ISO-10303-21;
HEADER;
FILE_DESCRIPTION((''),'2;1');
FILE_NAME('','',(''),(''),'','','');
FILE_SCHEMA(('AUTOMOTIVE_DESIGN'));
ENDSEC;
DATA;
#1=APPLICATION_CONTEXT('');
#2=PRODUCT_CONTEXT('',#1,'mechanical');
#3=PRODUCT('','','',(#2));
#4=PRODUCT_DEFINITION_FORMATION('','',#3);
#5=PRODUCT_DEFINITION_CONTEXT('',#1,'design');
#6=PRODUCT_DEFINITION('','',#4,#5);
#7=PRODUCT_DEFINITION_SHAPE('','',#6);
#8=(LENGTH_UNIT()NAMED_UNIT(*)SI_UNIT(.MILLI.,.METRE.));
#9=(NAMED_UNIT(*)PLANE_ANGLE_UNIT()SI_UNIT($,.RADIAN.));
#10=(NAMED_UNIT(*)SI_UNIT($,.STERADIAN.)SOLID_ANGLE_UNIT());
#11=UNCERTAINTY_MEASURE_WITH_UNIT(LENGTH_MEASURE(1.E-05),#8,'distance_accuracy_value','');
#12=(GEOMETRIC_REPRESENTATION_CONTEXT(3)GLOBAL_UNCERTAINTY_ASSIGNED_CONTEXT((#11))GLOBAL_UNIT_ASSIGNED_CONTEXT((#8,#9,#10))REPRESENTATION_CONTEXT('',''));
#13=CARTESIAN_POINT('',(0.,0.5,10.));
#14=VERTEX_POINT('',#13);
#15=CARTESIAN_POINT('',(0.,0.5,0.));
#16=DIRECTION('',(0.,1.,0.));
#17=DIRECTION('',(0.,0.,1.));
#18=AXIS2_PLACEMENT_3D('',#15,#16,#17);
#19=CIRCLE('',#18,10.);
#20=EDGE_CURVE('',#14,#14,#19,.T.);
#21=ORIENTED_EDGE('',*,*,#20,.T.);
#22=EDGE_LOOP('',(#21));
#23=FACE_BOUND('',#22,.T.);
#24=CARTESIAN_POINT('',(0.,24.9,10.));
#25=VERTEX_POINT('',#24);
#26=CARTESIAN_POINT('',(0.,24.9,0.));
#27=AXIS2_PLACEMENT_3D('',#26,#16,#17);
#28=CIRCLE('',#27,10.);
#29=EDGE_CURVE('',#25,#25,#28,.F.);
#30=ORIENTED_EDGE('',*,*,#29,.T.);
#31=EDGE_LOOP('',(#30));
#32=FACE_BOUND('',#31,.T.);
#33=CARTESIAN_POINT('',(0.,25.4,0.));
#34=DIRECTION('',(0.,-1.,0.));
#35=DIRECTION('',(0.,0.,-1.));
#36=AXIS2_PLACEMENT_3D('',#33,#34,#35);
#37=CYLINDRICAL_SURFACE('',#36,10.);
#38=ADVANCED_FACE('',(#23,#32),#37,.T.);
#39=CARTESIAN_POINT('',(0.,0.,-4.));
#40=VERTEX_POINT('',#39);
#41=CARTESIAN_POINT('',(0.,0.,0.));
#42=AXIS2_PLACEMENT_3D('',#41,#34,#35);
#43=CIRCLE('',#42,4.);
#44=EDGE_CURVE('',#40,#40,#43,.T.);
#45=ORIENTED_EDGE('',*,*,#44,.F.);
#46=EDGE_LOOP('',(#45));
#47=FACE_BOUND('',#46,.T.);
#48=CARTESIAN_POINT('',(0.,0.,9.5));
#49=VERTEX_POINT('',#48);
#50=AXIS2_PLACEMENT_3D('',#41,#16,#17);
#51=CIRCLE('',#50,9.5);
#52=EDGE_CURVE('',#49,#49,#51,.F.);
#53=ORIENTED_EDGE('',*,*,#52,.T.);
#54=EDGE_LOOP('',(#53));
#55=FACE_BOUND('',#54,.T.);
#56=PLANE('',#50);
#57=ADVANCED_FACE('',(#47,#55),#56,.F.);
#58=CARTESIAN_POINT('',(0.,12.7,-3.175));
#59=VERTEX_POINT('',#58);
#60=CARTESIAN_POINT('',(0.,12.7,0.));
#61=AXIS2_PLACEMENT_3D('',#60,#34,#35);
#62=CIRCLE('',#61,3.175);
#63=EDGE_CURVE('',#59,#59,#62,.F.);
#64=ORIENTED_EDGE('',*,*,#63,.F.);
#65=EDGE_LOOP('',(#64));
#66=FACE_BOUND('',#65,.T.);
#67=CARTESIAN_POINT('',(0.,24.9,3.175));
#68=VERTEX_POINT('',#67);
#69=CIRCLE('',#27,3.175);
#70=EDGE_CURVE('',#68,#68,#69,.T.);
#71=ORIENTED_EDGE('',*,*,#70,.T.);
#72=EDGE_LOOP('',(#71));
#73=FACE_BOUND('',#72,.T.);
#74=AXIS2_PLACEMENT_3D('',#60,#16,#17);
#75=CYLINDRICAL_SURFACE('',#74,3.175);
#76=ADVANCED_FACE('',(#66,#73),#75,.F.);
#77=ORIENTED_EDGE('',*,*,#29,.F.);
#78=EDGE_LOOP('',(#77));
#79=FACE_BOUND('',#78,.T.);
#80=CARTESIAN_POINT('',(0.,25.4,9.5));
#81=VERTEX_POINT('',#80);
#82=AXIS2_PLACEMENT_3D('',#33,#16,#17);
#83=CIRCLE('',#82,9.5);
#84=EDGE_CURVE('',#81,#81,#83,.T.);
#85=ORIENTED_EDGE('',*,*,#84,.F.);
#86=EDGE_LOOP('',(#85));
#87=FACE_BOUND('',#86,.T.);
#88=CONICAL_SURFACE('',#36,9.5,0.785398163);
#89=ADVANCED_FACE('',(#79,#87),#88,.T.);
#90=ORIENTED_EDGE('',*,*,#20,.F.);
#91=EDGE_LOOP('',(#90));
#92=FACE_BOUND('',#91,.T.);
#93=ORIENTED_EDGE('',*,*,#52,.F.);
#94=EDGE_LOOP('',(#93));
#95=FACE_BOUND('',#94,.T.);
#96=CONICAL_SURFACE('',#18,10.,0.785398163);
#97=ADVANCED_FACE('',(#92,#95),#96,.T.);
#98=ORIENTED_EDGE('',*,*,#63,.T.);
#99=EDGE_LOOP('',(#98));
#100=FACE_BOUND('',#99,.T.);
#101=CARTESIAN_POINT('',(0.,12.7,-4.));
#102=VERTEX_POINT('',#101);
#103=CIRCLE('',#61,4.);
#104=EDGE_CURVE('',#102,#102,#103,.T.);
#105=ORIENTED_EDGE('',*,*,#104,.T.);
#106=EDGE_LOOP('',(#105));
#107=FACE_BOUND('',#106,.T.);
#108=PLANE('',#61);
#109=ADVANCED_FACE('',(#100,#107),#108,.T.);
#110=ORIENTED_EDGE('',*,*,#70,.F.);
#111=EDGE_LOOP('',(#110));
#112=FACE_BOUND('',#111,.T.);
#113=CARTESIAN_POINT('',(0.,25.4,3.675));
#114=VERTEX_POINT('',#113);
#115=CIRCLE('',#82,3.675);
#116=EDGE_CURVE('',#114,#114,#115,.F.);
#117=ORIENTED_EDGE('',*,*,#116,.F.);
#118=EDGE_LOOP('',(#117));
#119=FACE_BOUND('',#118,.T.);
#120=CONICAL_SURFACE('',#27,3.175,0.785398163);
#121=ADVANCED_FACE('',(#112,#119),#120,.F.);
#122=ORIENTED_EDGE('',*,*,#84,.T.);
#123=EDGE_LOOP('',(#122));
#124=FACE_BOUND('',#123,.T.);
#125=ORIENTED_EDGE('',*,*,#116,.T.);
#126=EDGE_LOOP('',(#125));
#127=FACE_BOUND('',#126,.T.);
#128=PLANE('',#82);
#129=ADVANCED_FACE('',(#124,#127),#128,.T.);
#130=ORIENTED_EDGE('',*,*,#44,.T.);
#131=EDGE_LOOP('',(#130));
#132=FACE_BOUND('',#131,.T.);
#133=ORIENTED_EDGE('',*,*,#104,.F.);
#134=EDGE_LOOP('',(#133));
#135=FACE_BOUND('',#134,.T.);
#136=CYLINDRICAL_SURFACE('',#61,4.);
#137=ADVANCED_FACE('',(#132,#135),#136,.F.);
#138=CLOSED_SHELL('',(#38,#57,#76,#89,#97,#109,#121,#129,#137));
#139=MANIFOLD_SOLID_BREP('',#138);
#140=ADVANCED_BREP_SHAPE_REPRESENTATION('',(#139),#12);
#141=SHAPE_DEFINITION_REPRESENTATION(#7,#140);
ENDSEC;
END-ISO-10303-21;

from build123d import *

# Parameters (mm, degrees)
SKETCH2_R           = 10
BOSS_EXTRUDE1_DEPTH = 25.4
SKETCH3_R           = 3.175
CUT_EXTRUDE1_DEPTH  = 12.7
CHAMFER1_SIZE       = 0.5
SKETCH4_R           = 4
CUT_EXTRUDE2_DEPTH  = 12.7


with BuildPart() as part:
    # Sketch2 → Boss-Extrude1 (new body)
    with BuildSketch(Plane(origin=(0, 0, 0), x_dir=(1, 0, 0), z_dir=(0, 1, 0))):
        with Locations(Location((0, 0, 0), (0, 0, 270))):
            Circle(SKETCH2_R)
    extrude(amount=BOSS_EXTRUDE1_DEPTH)

    # Sketch3 → Cut-Extrude1 (cut)
    with BuildSketch(Plane(origin=(0, 25.4, 0), x_dir=(1, 0, 0), z_dir=(0, 1, 0))):
        with Locations(Location((0, 0, 0), (0, 0, 270))):
            Circle(SKETCH3_R)
    extrude(amount=-CUT_EXTRUDE1_DEPTH, mode=Mode.SUBTRACT)

    # Chamfer1
    chamfer1_edges = [part.edges().sort_by_distance(p)[0] for p in [
        (0, 0, -10),
        (0, 25.4, -10),
        (0, 25.4, -3.175),
    ]]
    chamfer(chamfer1_edges, length=CHAMFER1_SIZE)

    # Sketch4 → Cut-Extrude2 (cut)
    with BuildSketch(Plane.XZ):
        with Locations(Location((0, 0, 0), (0, 0, 270))):
            Circle(SKETCH4_R)
    extrude(amount=-CUT_EXTRUDE2_DEPTH, mode=Mode.SUBTRACT)


solid = part.part
